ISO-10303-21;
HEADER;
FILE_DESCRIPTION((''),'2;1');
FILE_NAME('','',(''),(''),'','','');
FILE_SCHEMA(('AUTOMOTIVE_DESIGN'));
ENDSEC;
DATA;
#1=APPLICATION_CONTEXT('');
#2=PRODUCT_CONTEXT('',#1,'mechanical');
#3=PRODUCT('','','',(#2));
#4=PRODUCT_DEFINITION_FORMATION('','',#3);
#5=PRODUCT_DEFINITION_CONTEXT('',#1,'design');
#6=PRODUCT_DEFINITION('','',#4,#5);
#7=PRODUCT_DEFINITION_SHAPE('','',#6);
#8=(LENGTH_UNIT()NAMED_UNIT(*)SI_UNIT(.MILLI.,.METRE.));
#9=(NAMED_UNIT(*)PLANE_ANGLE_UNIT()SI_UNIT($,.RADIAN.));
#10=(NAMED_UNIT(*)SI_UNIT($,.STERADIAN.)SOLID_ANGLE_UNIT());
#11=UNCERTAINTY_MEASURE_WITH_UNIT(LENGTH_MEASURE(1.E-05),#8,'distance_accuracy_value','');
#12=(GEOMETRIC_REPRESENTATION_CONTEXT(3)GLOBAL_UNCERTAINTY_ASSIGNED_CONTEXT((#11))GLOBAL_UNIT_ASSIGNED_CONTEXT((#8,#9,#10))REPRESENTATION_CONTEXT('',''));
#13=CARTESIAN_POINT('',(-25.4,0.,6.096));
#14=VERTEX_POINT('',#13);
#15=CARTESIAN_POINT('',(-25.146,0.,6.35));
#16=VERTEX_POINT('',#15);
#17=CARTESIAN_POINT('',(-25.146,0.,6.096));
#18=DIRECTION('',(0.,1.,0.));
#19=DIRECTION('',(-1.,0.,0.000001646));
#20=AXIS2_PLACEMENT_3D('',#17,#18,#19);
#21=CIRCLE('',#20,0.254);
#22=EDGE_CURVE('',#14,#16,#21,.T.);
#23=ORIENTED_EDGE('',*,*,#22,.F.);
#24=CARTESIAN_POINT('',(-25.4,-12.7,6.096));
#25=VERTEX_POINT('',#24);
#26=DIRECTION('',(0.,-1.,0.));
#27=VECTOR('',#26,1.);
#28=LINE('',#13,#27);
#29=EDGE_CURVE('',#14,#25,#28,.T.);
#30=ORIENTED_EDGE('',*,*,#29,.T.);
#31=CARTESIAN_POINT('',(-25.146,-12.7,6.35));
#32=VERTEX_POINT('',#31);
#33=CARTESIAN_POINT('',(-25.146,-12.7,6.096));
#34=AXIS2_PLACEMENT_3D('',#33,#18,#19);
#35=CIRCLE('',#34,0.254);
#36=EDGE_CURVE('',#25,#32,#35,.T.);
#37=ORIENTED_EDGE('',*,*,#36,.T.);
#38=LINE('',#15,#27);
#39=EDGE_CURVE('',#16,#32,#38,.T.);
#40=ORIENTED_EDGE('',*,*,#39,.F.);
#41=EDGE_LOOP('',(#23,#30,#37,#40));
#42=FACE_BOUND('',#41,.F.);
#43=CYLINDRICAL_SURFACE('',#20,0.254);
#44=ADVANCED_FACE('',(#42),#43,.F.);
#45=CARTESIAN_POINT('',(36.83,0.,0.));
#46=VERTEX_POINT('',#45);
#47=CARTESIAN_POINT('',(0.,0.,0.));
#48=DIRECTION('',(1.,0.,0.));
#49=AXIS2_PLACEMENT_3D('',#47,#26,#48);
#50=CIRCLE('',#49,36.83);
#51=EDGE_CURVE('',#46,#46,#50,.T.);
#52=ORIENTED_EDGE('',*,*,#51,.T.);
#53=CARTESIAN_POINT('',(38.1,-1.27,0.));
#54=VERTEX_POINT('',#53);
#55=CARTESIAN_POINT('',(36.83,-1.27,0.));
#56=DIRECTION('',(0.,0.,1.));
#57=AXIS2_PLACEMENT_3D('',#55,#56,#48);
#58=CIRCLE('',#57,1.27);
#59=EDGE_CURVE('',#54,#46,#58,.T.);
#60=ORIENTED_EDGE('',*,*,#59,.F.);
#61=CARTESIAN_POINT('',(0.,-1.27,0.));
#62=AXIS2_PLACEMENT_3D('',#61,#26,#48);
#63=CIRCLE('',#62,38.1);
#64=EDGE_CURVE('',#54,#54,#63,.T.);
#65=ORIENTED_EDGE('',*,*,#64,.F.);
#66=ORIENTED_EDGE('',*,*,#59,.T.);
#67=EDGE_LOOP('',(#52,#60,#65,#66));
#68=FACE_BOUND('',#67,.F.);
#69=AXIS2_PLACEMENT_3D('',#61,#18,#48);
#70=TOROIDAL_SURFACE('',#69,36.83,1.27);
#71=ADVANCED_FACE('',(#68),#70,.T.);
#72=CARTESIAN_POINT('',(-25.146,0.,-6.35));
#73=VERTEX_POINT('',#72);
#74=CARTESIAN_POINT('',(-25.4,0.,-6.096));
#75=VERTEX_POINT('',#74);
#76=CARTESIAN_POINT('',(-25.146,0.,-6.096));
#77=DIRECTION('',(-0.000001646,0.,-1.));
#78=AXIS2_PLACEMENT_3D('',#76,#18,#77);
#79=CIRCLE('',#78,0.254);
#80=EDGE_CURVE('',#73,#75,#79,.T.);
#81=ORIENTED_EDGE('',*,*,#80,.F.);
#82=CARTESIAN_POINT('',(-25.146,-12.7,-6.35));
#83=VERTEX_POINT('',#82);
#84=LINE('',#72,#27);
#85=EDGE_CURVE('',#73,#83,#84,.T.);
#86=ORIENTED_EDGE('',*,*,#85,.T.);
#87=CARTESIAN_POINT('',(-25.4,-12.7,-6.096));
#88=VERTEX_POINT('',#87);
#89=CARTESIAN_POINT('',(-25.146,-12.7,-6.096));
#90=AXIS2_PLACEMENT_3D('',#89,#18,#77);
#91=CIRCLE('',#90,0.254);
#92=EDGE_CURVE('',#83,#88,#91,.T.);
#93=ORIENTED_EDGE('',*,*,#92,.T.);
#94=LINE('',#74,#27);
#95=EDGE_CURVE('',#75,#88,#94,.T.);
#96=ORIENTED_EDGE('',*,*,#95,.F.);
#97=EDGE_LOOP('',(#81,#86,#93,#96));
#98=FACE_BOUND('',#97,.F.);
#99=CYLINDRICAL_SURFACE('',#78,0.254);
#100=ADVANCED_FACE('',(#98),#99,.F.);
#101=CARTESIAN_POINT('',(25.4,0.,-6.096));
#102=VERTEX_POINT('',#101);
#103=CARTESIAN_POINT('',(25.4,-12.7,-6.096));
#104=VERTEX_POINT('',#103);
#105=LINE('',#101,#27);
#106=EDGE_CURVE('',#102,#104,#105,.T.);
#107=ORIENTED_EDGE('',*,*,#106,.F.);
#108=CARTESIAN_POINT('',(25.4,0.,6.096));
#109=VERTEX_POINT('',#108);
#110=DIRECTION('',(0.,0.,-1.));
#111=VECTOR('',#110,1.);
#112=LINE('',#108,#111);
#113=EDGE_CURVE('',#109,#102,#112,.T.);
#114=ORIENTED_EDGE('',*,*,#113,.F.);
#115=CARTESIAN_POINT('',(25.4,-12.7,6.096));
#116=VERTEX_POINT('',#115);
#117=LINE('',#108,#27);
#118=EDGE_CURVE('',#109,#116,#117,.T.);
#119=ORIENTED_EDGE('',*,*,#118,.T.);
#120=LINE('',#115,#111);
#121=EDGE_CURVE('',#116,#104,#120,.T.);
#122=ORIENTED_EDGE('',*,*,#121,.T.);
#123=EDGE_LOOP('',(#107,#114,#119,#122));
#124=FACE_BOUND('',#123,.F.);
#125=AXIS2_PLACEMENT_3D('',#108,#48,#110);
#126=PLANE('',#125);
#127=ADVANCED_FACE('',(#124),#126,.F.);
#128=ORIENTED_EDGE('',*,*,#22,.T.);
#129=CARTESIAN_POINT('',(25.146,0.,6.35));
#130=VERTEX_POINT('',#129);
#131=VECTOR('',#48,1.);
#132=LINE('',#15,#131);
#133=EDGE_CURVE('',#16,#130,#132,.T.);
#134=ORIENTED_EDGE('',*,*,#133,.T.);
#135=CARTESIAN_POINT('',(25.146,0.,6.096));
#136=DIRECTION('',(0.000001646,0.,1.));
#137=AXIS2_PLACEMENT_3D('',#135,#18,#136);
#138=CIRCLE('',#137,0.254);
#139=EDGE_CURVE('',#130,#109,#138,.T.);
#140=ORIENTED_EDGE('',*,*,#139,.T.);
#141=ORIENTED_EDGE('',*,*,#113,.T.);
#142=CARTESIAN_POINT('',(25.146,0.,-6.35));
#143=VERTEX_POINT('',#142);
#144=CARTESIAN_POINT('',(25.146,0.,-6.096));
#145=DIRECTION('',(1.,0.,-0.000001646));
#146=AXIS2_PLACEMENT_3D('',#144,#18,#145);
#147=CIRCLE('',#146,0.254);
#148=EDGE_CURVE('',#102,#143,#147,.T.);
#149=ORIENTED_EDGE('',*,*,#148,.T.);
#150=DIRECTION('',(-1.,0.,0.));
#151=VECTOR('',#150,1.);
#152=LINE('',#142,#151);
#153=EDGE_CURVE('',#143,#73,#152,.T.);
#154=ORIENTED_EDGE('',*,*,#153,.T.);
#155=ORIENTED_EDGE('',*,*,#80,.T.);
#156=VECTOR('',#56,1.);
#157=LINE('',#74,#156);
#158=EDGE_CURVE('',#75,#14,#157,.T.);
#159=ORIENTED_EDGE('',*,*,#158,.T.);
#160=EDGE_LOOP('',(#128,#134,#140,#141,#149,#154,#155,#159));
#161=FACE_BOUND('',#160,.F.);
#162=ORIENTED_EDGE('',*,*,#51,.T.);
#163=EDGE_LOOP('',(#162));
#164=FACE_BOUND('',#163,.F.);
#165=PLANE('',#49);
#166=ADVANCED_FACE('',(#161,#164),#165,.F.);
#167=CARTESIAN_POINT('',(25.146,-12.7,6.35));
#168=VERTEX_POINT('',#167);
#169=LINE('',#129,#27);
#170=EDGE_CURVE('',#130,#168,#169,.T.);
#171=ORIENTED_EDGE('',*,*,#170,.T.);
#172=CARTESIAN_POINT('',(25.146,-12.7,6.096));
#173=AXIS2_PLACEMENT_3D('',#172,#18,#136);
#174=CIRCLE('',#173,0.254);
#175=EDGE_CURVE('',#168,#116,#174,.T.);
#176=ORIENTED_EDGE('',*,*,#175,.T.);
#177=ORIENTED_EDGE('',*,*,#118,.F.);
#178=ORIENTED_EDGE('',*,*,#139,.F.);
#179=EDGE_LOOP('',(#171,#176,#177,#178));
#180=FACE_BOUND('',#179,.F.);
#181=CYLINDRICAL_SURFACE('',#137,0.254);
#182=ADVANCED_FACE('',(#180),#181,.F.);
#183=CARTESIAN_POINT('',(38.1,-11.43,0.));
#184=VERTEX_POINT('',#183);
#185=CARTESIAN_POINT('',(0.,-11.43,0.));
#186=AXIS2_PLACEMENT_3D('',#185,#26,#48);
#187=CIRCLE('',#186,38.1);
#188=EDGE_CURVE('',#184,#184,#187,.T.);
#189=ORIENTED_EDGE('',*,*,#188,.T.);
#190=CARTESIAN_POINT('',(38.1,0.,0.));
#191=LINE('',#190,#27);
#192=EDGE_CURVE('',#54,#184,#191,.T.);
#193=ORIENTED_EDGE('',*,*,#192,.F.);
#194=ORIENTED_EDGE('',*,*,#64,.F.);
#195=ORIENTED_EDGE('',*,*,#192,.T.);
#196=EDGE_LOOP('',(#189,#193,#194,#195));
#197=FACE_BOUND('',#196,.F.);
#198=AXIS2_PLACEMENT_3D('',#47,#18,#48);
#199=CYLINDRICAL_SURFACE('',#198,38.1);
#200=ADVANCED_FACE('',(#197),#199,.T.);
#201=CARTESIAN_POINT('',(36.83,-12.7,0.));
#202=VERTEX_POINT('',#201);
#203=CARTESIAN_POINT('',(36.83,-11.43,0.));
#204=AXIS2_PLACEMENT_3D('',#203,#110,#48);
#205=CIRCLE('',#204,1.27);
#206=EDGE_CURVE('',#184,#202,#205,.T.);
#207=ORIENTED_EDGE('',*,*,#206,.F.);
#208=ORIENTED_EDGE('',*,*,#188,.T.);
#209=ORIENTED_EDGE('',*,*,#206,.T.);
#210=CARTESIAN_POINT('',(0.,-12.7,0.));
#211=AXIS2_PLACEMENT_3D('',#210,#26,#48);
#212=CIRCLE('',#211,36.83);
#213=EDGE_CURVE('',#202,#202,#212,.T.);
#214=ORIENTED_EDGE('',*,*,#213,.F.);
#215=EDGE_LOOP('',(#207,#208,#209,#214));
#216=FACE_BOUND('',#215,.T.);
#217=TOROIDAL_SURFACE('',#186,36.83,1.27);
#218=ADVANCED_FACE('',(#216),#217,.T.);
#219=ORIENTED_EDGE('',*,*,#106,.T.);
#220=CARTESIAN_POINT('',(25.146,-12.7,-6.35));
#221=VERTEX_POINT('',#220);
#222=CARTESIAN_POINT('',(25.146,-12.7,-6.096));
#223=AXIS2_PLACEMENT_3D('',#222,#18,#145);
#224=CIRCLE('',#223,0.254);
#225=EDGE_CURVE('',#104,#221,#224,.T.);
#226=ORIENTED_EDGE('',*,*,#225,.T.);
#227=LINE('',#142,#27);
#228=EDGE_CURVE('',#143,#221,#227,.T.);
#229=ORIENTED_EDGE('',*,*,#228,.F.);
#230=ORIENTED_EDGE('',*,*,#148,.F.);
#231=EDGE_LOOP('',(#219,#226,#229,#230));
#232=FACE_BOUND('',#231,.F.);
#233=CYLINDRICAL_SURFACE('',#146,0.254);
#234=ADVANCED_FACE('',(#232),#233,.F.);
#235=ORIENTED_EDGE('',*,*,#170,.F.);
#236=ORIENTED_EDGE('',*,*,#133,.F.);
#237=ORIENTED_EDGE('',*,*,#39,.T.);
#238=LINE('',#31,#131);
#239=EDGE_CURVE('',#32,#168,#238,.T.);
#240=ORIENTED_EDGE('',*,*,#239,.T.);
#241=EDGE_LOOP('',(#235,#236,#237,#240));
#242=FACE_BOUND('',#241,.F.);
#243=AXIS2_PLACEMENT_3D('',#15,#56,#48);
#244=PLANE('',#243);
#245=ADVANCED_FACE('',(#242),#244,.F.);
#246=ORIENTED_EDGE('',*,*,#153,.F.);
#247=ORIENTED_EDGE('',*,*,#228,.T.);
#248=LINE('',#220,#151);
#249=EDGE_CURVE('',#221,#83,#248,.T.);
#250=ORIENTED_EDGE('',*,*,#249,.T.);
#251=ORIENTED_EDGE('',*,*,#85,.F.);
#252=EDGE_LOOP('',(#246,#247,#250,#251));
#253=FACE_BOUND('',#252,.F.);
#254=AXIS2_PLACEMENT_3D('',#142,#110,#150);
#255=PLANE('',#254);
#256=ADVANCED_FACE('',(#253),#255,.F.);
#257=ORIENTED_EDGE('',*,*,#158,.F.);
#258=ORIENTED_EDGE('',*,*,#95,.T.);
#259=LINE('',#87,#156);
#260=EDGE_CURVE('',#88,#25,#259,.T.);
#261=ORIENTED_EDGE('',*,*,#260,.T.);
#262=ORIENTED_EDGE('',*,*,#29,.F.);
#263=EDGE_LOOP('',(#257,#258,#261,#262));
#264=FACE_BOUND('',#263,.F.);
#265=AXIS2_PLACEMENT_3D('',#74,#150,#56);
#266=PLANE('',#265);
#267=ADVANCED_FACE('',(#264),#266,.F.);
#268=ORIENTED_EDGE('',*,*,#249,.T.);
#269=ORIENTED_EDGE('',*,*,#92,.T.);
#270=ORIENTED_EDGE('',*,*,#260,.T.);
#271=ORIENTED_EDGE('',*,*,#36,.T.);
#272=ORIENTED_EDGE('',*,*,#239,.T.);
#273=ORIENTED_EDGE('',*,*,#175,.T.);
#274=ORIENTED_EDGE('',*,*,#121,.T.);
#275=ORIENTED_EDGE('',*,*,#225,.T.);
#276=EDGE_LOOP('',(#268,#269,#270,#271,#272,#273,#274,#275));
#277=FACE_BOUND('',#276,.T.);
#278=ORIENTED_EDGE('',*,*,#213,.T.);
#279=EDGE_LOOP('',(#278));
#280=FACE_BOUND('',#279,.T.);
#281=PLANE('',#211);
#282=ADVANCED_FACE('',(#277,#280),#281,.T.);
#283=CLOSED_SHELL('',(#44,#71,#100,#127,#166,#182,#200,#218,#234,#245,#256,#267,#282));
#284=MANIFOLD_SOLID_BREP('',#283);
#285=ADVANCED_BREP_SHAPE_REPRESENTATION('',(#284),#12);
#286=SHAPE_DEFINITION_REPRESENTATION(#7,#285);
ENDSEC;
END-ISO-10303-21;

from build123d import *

# Parameters (mm, degrees)
F0_R     = 38.1
F1_DEPTH = 12.7
F2_R     = 1.27


with BuildPart() as f1:
    # F0 (on Front) → F1 (new body)
    with BuildSketch(Plane.XZ):
        Circle(F0_R)
        with BuildLine():
            ThreePointArc((-25.4, 6.096), (-25.325605, 6.275605), (-25.146, 6.35))
            Line((-25.146, 6.35), (25.146, 6.35))
            ThreePointArc((25.146, 6.35), (25.325605, 6.275605), (25.4, 6.096))
            Line((25.4, 6.096), (25.4, -6.096))
            ThreePointArc((25.4, -6.096), (25.325605, -6.275605), (25.146, -6.35))
            Line((25.146, -6.35), (-25.146, -6.35))
            ThreePointArc((-25.146, -6.35), (-25.325605, -6.275605), (-25.4, -6.096))
            Line((-25.4, -6.096), (-25.4, 6.096))
        make_face(mode=Mode.SUBTRACT)
    extrude(amount=F1_DEPTH)

    # F2
    f2_edges = [f1.edges().sort_by_distance(p)[0] for p in [
        (-38.1, -12.7, 0),
        (-38.1, 0, 0),
    ]]
    fillet(f2_edges, radius=F2_R)


solid = f1.part
